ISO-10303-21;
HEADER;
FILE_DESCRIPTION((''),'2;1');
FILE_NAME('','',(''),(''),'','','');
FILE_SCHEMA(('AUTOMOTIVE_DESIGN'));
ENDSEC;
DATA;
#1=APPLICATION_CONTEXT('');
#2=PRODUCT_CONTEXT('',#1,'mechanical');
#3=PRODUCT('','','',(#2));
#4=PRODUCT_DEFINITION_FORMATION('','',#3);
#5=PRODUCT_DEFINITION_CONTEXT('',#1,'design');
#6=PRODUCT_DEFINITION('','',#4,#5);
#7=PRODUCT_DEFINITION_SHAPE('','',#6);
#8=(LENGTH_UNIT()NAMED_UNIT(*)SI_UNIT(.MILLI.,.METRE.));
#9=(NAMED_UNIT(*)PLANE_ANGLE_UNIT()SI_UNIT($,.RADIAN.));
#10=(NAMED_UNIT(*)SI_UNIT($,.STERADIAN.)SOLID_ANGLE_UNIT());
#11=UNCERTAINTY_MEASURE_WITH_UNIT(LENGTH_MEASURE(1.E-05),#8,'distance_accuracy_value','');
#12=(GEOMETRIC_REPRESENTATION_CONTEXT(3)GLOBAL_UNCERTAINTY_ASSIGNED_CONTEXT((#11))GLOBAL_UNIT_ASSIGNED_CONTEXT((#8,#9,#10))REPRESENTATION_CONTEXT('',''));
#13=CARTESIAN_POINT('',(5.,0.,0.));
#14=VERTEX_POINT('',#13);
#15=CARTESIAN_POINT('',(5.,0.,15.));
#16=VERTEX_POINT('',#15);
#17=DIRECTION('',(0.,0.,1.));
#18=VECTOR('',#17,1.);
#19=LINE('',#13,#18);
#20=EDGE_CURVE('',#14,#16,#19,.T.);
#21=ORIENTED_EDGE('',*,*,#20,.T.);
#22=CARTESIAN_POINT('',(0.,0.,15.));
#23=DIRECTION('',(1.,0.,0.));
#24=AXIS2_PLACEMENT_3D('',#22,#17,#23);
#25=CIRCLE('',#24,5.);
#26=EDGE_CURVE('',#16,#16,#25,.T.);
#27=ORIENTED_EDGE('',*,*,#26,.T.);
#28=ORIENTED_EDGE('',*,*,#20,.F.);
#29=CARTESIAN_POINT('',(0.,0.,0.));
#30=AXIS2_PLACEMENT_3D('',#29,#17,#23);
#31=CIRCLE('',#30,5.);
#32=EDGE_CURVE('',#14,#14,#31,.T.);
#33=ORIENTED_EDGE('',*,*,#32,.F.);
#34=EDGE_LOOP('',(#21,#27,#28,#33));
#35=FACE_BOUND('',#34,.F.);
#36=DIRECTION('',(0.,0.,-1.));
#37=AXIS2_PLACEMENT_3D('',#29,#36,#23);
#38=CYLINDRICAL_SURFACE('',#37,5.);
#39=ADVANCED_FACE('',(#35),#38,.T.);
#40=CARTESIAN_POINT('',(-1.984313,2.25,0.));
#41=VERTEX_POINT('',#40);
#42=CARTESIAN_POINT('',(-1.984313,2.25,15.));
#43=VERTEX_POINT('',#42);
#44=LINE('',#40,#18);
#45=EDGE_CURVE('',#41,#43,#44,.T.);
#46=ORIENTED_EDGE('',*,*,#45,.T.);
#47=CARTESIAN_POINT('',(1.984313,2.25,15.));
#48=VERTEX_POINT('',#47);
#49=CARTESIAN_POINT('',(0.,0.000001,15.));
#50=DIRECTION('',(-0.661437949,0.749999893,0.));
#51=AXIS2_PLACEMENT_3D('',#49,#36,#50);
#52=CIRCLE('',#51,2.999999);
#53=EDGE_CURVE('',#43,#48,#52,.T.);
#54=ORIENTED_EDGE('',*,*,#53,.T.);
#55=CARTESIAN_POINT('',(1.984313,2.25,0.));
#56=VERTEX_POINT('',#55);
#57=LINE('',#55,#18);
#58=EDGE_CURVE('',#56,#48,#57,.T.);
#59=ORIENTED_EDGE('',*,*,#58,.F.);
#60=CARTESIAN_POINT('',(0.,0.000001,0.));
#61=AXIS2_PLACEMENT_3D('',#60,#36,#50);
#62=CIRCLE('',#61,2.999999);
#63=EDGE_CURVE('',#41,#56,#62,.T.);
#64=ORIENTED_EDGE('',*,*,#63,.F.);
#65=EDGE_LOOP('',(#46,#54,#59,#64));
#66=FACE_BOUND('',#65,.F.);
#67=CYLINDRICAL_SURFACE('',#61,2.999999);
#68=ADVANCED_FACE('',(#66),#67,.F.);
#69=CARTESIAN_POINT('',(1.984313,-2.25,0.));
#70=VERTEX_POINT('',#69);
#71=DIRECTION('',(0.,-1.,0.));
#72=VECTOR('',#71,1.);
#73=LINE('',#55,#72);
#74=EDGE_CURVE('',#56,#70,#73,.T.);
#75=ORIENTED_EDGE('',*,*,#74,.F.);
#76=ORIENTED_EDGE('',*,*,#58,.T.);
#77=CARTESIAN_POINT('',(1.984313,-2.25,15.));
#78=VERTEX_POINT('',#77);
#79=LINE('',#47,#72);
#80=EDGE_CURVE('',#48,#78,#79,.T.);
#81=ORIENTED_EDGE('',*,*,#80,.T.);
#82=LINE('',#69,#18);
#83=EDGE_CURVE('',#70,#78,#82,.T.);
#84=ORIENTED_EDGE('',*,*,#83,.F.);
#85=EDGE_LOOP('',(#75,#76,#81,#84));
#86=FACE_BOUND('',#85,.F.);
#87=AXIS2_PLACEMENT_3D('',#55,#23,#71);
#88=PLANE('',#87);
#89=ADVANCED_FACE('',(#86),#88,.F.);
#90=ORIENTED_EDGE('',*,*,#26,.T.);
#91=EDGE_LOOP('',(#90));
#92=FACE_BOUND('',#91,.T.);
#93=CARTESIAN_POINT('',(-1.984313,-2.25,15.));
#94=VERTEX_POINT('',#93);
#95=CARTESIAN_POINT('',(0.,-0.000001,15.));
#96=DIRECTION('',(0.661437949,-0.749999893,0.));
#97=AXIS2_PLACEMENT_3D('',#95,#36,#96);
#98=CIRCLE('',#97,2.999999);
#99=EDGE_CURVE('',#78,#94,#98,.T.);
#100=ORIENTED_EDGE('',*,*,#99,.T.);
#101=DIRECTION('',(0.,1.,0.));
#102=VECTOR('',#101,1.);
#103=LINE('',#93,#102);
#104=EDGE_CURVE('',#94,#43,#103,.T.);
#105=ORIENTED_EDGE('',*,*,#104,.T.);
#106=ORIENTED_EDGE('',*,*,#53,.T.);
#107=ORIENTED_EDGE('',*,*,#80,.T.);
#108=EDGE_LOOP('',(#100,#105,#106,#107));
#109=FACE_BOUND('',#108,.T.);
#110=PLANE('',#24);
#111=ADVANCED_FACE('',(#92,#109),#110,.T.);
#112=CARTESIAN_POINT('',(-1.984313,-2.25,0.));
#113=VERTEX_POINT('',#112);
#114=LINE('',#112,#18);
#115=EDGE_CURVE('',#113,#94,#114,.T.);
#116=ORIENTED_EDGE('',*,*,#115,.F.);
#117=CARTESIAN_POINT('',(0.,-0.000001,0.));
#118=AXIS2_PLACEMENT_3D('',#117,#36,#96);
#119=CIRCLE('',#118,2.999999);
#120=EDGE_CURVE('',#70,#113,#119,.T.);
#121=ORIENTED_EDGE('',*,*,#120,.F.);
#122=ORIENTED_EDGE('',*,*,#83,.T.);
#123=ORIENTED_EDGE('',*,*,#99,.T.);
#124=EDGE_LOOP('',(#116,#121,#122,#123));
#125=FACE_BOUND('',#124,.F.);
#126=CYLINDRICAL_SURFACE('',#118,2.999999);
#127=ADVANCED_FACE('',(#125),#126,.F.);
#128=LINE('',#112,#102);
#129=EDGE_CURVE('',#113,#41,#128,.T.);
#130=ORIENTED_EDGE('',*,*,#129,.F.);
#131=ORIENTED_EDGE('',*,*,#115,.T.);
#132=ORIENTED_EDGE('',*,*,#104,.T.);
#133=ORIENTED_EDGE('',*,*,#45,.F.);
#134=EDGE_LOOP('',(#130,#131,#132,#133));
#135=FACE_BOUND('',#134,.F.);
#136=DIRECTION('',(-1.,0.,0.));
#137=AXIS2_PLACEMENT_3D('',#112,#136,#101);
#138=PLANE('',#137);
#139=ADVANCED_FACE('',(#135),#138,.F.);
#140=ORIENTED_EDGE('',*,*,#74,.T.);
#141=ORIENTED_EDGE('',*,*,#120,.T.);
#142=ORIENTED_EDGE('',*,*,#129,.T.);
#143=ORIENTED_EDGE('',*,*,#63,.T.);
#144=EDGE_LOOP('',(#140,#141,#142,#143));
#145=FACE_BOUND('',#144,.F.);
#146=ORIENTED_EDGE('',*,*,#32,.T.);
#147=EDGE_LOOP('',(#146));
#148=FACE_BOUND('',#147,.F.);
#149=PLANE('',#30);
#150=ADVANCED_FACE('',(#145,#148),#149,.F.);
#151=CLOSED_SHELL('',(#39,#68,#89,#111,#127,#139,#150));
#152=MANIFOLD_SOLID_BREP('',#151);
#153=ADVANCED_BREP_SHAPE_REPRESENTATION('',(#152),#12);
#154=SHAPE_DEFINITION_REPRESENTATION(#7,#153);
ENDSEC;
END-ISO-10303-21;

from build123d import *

# Parameters (mm, degrees)
F0_R     = 5
F1_DEPTH = 15


with BuildPart() as f1:
    # F0 (on Top) → F1 (new body)
    with BuildSketch(Plane.XY):
        Circle(F0_R)
        with BuildLine():
            ThreePointArc((1.984313, 2.25), (2.734313, 1.234313), (3, 0))
            ThreePointArc((3, 0), (2.734313, -1.234313), (1.984313, -2.25))
            ThreePointArc((1.984313, -2.25), (0, -3), (-1.984313, -2.25))
            ThreePointArc((-1.984313, -2.25), (-3, 0), (-1.984313, 2.25))
            ThreePointArc((-1.984313, 2.25), (0, 3), (1.984313, 2.25))
        make_face(mode=Mode.SUBTRACT)
        with BuildLine():
            Line((-1.984313, -2.25), (-1.984313, 2.25))
            ThreePointArc((-1.984313, 2.25), (-3, 0), (-1.984313, -2.25))
        make_face()
        with BuildLine():
            ThreePointArc((1.984313, -2.25), (2.734313, -1.234313), (3, 0))
            ThreePointArc((3, 0), (2.734313, 1.234313), (1.984313, 2.25))
            Line((1.984313, 2.25), (1.984313, -2.25))
        make_face()
    extrude(amount=F1_DEPTH)


solid = f1.part
